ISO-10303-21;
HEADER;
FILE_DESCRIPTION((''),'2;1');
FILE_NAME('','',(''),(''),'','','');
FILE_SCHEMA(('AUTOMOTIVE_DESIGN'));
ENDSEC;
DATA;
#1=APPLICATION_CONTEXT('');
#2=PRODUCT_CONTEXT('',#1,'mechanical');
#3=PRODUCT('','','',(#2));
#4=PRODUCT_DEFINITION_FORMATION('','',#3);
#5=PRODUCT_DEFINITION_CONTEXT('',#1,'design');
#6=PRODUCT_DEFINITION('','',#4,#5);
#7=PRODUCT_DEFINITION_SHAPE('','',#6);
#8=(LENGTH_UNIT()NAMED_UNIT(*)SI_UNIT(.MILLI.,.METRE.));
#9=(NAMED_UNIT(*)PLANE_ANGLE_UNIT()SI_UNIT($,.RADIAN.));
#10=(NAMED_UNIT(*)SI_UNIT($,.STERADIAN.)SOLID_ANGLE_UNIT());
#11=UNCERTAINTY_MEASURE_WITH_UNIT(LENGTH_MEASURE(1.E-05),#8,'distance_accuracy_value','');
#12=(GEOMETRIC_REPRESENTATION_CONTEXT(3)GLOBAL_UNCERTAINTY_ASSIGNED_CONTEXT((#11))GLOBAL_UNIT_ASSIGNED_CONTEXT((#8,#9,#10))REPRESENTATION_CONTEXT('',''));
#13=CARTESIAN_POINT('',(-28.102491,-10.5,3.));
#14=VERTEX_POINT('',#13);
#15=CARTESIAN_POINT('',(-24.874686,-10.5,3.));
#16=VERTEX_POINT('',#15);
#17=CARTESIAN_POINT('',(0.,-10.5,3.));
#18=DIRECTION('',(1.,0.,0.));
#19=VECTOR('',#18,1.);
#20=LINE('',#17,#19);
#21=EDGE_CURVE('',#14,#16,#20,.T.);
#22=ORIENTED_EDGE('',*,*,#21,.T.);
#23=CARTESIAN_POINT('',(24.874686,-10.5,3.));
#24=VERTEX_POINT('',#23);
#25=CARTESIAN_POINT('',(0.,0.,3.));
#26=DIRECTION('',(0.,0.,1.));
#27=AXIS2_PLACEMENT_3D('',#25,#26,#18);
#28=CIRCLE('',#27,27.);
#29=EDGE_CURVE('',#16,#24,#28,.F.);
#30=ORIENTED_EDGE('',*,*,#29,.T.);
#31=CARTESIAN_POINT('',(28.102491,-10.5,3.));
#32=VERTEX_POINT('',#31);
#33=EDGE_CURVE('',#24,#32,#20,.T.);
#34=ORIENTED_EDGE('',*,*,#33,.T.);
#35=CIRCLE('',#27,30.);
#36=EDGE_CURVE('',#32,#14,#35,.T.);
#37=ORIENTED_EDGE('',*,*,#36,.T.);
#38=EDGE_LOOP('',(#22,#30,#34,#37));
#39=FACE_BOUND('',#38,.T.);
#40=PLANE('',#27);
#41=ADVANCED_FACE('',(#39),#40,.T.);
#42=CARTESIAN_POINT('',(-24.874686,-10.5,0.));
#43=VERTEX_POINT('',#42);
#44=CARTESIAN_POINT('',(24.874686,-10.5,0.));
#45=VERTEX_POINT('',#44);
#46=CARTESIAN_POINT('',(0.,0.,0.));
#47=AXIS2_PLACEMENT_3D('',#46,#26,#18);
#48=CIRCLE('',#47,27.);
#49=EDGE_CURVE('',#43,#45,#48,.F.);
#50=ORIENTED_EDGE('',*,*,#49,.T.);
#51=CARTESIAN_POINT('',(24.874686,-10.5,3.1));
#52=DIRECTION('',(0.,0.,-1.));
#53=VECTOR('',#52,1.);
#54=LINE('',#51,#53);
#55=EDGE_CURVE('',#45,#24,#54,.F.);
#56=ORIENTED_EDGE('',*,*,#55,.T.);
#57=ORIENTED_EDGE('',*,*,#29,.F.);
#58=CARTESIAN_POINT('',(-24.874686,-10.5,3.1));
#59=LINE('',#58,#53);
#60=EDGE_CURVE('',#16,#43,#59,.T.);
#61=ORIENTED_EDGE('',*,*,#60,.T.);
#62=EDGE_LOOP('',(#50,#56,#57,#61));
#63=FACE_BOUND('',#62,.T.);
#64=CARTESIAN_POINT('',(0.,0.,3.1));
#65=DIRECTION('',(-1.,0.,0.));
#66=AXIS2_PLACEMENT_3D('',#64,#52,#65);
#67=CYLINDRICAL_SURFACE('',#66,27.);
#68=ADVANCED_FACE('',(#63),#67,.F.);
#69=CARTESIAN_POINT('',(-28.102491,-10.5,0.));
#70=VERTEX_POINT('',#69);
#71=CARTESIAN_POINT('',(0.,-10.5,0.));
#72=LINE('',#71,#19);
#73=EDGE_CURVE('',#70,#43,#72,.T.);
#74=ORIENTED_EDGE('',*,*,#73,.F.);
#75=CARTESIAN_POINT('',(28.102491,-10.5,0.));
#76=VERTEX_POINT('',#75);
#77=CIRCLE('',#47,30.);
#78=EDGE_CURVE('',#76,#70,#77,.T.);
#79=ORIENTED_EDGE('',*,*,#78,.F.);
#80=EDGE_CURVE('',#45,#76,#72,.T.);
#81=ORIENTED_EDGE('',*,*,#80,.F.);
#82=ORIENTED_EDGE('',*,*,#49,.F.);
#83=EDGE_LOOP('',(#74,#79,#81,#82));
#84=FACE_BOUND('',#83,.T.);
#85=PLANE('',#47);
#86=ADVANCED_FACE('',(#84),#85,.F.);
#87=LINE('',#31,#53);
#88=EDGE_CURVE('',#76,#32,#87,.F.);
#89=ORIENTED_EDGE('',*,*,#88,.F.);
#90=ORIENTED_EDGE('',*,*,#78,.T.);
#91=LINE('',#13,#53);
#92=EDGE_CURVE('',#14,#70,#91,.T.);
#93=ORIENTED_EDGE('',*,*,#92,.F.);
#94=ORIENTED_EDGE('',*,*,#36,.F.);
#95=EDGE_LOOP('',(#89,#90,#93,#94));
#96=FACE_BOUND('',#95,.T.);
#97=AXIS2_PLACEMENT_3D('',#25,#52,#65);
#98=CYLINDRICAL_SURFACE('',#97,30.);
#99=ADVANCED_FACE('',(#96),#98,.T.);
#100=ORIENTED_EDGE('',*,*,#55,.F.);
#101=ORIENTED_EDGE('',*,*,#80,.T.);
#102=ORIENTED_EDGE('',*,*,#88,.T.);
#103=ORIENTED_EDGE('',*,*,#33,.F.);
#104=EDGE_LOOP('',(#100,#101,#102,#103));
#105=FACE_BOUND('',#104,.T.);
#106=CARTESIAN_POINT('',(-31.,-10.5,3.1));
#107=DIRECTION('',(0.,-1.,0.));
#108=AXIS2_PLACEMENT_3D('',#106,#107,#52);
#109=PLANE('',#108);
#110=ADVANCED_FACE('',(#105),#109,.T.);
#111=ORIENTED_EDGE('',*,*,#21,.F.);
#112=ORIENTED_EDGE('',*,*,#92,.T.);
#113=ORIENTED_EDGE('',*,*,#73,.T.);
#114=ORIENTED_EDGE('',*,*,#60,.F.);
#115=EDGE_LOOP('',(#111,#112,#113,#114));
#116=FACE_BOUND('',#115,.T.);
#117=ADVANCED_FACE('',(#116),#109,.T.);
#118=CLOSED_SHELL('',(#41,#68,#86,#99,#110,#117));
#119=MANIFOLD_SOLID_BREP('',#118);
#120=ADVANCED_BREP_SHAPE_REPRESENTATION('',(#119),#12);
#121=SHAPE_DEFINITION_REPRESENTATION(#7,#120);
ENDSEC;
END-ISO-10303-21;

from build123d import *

# Parameters (mm, degrees)
SKETCH1_R                             = 30
ARCH_OUTER_DEPTH                      = 3
WHEEL_CLEARANCE_R27_START             = -0.1
SKETCH2_R                             = 27
WHEEL_CLEARANCE_R27_DEPTH             = 3.2
OPEN_BOTTOM_AT_GROUND_CLEARANCE_START = -0.1
SKETCH3_W                             = 62
SKETCH3_H                             = 20.5
OPEN_BOTTOM_AT_GROUND_CLEARANCE_DEPTH = 3.2


with BuildPart() as part:
    # Sketch1 → Arch_Outer (new body)
    with BuildSketch(Plane.XY):
        Circle(SKETCH1_R)
    extrude(amount=ARCH_OUTER_DEPTH)

    # Sketch2 → Wheel_Clearance_R27 (cut)
    with BuildSketch(Plane.XY.offset(WHEEL_CLEARANCE_R27_START)):
        Circle(SKETCH2_R)
    extrude(amount=WHEEL_CLEARANCE_R27_DEPTH, mode=Mode.SUBTRACT)

    # Sketch3 → Open_Bottom_At_Ground_Clearance (cut)
    with BuildSketch(Plane.XY.offset(OPEN_BOTTOM_AT_GROUND_CLEARANCE_START)):
        with Locations((0, -20.75)):
            Rectangle(SKETCH3_W, SKETCH3_H)
    extrude(amount=OPEN_BOTTOM_AT_GROUND_CLEARANCE_DEPTH, mode=Mode.SUBTRACT)


solid = part.part
